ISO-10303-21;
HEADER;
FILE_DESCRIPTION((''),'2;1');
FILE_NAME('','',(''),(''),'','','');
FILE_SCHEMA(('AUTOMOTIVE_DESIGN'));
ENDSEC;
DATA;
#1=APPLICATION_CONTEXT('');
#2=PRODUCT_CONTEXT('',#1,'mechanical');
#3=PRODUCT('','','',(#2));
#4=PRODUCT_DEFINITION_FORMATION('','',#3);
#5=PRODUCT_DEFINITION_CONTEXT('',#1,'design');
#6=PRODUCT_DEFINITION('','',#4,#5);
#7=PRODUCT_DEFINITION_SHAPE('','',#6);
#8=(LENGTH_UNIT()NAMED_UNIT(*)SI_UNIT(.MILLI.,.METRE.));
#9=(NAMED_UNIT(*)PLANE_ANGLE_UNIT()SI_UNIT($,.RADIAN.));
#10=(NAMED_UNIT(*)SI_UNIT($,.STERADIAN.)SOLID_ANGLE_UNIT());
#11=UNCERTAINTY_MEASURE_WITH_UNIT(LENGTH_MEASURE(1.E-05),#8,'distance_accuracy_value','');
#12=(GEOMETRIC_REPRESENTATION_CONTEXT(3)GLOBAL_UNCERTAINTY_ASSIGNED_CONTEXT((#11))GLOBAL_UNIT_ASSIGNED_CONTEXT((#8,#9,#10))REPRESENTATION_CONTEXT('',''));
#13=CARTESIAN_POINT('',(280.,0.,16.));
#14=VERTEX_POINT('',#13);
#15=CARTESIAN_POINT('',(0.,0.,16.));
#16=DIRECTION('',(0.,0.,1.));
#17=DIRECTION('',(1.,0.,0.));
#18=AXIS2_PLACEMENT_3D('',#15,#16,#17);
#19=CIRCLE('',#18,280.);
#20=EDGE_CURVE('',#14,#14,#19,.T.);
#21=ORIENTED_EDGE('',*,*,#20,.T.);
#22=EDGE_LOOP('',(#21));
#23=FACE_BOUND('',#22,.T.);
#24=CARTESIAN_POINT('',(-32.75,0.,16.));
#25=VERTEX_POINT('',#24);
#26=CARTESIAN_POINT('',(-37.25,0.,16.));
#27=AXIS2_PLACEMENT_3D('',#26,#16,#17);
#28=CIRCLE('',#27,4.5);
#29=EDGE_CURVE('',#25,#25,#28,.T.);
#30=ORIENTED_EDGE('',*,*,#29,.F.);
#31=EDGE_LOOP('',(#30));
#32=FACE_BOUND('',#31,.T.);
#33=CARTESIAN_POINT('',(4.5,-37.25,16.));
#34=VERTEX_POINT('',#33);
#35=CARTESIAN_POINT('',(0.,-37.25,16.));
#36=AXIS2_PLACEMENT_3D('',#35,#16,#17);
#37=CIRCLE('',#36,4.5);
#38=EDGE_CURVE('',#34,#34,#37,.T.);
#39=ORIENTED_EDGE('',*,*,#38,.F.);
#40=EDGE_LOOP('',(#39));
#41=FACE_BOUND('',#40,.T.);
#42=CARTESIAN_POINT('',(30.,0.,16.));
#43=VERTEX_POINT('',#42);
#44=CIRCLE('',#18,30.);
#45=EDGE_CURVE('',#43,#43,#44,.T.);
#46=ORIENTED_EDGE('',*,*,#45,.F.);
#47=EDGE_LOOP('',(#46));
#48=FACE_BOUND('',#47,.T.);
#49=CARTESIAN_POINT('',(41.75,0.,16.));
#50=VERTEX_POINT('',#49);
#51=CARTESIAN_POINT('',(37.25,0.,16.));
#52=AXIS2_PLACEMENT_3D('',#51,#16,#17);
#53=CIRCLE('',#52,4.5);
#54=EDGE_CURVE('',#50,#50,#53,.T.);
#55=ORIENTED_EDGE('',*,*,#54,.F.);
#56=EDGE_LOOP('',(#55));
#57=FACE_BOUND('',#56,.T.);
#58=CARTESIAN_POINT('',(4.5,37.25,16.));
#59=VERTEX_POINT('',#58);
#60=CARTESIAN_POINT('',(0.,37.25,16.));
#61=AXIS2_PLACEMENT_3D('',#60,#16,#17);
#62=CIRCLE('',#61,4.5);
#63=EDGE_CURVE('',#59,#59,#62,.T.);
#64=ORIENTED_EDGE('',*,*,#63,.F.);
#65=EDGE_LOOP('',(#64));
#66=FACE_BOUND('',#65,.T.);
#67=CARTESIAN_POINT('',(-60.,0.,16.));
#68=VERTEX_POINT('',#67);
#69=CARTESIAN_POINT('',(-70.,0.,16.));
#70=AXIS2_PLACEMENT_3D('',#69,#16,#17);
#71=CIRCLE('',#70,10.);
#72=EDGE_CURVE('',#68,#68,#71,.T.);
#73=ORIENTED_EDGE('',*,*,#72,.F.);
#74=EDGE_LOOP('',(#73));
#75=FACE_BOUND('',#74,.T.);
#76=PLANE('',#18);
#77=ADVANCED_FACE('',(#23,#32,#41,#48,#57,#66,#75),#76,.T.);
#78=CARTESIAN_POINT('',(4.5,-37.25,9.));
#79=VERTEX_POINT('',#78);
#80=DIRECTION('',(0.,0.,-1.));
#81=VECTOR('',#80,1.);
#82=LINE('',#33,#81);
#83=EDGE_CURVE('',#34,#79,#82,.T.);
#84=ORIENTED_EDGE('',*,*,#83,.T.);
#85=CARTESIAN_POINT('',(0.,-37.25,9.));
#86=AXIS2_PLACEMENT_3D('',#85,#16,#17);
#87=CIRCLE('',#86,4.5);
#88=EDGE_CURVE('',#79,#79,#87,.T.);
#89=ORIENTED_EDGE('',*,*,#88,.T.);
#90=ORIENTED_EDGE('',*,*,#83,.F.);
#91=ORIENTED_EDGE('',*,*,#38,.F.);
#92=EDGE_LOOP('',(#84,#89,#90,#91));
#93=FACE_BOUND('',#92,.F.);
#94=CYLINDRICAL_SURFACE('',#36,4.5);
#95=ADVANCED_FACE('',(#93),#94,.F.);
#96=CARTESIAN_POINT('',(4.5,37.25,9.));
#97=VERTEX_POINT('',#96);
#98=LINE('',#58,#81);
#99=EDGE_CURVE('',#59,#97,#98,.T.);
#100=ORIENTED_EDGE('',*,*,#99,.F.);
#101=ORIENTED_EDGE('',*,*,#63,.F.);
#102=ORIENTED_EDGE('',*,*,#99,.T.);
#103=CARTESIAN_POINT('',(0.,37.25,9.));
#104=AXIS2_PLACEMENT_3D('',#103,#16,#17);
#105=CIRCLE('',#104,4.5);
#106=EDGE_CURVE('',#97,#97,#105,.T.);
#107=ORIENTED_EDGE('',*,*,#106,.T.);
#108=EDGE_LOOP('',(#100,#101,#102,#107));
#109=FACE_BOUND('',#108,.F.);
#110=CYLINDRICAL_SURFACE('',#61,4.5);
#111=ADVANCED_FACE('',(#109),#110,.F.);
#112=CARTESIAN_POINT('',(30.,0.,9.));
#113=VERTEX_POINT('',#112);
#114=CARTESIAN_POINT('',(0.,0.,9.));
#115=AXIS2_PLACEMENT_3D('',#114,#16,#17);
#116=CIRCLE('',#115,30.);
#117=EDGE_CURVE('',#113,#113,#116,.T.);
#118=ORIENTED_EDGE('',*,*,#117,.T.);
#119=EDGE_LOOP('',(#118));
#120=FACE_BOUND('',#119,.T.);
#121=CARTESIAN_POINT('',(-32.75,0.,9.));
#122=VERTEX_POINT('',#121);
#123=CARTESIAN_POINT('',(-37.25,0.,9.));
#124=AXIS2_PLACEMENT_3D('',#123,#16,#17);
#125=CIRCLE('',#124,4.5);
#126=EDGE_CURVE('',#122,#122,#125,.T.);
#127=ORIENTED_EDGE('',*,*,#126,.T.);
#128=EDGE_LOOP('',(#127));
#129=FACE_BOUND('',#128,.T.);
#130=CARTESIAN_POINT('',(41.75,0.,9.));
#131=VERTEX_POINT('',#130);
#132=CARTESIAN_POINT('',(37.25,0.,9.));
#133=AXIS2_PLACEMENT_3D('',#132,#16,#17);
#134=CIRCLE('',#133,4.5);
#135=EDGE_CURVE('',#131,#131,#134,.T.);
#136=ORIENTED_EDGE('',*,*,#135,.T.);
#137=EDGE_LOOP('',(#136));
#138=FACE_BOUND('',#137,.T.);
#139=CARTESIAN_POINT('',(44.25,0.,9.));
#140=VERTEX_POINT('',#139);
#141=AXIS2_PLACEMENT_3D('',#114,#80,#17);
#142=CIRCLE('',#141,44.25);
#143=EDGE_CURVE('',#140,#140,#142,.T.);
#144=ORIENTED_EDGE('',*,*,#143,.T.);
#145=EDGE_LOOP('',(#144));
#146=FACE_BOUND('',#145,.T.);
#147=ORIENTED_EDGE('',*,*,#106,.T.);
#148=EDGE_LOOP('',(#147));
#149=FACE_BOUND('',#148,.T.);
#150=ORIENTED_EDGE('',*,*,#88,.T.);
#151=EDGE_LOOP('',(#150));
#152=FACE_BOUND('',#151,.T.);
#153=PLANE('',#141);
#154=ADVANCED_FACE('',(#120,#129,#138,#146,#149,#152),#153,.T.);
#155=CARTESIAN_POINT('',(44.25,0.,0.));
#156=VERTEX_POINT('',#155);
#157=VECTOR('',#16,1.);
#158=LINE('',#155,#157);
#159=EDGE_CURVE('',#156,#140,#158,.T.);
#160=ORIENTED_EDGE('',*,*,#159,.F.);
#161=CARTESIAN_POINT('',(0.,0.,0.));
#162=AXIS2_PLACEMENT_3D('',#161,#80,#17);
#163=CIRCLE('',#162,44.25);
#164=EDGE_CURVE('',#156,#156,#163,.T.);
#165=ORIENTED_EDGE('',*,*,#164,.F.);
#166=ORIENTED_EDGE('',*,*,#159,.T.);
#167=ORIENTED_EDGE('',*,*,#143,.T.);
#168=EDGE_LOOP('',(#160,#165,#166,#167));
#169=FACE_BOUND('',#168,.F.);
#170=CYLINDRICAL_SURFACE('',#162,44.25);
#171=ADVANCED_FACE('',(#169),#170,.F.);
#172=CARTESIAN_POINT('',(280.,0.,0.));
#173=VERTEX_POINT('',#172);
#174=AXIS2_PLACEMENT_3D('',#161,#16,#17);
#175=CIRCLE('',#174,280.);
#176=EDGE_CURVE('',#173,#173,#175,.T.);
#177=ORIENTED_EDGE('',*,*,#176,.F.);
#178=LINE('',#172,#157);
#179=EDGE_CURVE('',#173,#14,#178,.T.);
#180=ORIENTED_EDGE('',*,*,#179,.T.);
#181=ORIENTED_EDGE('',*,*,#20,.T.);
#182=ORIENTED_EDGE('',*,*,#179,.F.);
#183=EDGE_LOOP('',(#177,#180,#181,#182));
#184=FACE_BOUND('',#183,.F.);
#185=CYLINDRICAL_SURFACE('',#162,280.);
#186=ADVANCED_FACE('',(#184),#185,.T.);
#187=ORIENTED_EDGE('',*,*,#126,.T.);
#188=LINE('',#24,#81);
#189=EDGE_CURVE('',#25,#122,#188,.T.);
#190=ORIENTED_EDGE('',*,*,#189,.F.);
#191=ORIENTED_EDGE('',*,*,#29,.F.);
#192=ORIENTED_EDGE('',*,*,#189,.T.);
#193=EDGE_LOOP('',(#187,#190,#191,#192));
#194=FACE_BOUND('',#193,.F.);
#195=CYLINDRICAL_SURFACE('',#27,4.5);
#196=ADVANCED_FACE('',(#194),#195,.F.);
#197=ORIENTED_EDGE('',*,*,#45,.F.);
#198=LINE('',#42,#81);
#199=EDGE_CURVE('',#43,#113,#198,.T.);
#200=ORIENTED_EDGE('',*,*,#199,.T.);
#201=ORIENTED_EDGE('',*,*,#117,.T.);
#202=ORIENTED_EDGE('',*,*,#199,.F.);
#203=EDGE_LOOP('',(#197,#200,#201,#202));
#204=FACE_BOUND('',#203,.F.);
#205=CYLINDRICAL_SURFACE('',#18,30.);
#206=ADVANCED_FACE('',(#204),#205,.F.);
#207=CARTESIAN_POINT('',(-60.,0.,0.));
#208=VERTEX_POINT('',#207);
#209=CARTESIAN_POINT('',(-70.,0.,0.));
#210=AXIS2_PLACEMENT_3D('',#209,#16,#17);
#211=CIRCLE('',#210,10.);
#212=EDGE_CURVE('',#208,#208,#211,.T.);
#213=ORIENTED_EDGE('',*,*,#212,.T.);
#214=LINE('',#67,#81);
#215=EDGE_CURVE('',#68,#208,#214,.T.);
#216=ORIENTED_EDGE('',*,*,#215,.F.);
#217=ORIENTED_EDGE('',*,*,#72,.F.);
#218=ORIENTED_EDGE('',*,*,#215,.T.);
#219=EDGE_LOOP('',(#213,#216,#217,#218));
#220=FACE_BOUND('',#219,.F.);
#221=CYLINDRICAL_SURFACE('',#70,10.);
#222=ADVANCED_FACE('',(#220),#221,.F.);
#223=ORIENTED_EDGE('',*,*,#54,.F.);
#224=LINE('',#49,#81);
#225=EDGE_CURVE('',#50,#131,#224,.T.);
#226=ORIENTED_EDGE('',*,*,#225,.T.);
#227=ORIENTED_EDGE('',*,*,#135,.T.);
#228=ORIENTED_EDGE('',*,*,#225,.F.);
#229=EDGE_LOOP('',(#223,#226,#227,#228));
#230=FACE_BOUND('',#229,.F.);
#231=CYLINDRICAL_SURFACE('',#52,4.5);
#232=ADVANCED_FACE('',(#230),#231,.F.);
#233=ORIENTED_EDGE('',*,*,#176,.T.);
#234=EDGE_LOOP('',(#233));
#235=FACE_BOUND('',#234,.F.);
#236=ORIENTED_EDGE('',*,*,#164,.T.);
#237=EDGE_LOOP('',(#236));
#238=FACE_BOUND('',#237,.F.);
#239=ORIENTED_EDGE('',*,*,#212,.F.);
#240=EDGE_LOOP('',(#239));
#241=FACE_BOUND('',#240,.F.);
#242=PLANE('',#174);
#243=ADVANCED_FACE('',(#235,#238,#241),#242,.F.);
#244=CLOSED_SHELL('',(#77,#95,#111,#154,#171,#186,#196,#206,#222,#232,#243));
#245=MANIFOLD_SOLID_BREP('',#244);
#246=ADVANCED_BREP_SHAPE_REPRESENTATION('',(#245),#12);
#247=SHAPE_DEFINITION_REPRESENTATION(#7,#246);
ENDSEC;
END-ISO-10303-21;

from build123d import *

# Parameters (mm, degrees)
F0_R     = 280
F1_DEPTH = 16
F2_R     = 30
F2_R_2   = 10
F2_R_3   = 4.5
F3_DEPTH = 25
F4_R     = 44.25
F5_DEPTH = 9


with BuildPart() as f1:
    # F0 (on Top) → F1 (new body)
    with BuildSketch(Plane.XY):
        Circle(F0_R)
    extrude(amount=F1_DEPTH)

    # F2 (on face) → F3 (cut)
    with BuildSketch(Plane.XY.offset(16)):
        Circle(F2_R)
        with Locations((-70, 0)):
            Circle(F2_R_2)
        with Locations((-37.25, 0)):
            Circle(F2_R_3)
        with Locations((0, 37.25)):
            Circle(F2_R_3)
        with Locations((37.25, 0)):
            Circle(F2_R_3)
        with Locations((0, -37.25)):
            Circle(F2_R_3)
    extrude(amount=-F3_DEPTH, mode=Mode.SUBTRACT)

    # F4 (on face) → F5 (cut)
    with BuildSketch(Plane(origin=(0, 0, 0), x_dir=(1, 0, 0), z_dir=(0, 0, -1))):
        Circle(F4_R)
    extrude(amount=-F5_DEPTH, mode=Mode.SUBTRACT)


solid = f1.part
